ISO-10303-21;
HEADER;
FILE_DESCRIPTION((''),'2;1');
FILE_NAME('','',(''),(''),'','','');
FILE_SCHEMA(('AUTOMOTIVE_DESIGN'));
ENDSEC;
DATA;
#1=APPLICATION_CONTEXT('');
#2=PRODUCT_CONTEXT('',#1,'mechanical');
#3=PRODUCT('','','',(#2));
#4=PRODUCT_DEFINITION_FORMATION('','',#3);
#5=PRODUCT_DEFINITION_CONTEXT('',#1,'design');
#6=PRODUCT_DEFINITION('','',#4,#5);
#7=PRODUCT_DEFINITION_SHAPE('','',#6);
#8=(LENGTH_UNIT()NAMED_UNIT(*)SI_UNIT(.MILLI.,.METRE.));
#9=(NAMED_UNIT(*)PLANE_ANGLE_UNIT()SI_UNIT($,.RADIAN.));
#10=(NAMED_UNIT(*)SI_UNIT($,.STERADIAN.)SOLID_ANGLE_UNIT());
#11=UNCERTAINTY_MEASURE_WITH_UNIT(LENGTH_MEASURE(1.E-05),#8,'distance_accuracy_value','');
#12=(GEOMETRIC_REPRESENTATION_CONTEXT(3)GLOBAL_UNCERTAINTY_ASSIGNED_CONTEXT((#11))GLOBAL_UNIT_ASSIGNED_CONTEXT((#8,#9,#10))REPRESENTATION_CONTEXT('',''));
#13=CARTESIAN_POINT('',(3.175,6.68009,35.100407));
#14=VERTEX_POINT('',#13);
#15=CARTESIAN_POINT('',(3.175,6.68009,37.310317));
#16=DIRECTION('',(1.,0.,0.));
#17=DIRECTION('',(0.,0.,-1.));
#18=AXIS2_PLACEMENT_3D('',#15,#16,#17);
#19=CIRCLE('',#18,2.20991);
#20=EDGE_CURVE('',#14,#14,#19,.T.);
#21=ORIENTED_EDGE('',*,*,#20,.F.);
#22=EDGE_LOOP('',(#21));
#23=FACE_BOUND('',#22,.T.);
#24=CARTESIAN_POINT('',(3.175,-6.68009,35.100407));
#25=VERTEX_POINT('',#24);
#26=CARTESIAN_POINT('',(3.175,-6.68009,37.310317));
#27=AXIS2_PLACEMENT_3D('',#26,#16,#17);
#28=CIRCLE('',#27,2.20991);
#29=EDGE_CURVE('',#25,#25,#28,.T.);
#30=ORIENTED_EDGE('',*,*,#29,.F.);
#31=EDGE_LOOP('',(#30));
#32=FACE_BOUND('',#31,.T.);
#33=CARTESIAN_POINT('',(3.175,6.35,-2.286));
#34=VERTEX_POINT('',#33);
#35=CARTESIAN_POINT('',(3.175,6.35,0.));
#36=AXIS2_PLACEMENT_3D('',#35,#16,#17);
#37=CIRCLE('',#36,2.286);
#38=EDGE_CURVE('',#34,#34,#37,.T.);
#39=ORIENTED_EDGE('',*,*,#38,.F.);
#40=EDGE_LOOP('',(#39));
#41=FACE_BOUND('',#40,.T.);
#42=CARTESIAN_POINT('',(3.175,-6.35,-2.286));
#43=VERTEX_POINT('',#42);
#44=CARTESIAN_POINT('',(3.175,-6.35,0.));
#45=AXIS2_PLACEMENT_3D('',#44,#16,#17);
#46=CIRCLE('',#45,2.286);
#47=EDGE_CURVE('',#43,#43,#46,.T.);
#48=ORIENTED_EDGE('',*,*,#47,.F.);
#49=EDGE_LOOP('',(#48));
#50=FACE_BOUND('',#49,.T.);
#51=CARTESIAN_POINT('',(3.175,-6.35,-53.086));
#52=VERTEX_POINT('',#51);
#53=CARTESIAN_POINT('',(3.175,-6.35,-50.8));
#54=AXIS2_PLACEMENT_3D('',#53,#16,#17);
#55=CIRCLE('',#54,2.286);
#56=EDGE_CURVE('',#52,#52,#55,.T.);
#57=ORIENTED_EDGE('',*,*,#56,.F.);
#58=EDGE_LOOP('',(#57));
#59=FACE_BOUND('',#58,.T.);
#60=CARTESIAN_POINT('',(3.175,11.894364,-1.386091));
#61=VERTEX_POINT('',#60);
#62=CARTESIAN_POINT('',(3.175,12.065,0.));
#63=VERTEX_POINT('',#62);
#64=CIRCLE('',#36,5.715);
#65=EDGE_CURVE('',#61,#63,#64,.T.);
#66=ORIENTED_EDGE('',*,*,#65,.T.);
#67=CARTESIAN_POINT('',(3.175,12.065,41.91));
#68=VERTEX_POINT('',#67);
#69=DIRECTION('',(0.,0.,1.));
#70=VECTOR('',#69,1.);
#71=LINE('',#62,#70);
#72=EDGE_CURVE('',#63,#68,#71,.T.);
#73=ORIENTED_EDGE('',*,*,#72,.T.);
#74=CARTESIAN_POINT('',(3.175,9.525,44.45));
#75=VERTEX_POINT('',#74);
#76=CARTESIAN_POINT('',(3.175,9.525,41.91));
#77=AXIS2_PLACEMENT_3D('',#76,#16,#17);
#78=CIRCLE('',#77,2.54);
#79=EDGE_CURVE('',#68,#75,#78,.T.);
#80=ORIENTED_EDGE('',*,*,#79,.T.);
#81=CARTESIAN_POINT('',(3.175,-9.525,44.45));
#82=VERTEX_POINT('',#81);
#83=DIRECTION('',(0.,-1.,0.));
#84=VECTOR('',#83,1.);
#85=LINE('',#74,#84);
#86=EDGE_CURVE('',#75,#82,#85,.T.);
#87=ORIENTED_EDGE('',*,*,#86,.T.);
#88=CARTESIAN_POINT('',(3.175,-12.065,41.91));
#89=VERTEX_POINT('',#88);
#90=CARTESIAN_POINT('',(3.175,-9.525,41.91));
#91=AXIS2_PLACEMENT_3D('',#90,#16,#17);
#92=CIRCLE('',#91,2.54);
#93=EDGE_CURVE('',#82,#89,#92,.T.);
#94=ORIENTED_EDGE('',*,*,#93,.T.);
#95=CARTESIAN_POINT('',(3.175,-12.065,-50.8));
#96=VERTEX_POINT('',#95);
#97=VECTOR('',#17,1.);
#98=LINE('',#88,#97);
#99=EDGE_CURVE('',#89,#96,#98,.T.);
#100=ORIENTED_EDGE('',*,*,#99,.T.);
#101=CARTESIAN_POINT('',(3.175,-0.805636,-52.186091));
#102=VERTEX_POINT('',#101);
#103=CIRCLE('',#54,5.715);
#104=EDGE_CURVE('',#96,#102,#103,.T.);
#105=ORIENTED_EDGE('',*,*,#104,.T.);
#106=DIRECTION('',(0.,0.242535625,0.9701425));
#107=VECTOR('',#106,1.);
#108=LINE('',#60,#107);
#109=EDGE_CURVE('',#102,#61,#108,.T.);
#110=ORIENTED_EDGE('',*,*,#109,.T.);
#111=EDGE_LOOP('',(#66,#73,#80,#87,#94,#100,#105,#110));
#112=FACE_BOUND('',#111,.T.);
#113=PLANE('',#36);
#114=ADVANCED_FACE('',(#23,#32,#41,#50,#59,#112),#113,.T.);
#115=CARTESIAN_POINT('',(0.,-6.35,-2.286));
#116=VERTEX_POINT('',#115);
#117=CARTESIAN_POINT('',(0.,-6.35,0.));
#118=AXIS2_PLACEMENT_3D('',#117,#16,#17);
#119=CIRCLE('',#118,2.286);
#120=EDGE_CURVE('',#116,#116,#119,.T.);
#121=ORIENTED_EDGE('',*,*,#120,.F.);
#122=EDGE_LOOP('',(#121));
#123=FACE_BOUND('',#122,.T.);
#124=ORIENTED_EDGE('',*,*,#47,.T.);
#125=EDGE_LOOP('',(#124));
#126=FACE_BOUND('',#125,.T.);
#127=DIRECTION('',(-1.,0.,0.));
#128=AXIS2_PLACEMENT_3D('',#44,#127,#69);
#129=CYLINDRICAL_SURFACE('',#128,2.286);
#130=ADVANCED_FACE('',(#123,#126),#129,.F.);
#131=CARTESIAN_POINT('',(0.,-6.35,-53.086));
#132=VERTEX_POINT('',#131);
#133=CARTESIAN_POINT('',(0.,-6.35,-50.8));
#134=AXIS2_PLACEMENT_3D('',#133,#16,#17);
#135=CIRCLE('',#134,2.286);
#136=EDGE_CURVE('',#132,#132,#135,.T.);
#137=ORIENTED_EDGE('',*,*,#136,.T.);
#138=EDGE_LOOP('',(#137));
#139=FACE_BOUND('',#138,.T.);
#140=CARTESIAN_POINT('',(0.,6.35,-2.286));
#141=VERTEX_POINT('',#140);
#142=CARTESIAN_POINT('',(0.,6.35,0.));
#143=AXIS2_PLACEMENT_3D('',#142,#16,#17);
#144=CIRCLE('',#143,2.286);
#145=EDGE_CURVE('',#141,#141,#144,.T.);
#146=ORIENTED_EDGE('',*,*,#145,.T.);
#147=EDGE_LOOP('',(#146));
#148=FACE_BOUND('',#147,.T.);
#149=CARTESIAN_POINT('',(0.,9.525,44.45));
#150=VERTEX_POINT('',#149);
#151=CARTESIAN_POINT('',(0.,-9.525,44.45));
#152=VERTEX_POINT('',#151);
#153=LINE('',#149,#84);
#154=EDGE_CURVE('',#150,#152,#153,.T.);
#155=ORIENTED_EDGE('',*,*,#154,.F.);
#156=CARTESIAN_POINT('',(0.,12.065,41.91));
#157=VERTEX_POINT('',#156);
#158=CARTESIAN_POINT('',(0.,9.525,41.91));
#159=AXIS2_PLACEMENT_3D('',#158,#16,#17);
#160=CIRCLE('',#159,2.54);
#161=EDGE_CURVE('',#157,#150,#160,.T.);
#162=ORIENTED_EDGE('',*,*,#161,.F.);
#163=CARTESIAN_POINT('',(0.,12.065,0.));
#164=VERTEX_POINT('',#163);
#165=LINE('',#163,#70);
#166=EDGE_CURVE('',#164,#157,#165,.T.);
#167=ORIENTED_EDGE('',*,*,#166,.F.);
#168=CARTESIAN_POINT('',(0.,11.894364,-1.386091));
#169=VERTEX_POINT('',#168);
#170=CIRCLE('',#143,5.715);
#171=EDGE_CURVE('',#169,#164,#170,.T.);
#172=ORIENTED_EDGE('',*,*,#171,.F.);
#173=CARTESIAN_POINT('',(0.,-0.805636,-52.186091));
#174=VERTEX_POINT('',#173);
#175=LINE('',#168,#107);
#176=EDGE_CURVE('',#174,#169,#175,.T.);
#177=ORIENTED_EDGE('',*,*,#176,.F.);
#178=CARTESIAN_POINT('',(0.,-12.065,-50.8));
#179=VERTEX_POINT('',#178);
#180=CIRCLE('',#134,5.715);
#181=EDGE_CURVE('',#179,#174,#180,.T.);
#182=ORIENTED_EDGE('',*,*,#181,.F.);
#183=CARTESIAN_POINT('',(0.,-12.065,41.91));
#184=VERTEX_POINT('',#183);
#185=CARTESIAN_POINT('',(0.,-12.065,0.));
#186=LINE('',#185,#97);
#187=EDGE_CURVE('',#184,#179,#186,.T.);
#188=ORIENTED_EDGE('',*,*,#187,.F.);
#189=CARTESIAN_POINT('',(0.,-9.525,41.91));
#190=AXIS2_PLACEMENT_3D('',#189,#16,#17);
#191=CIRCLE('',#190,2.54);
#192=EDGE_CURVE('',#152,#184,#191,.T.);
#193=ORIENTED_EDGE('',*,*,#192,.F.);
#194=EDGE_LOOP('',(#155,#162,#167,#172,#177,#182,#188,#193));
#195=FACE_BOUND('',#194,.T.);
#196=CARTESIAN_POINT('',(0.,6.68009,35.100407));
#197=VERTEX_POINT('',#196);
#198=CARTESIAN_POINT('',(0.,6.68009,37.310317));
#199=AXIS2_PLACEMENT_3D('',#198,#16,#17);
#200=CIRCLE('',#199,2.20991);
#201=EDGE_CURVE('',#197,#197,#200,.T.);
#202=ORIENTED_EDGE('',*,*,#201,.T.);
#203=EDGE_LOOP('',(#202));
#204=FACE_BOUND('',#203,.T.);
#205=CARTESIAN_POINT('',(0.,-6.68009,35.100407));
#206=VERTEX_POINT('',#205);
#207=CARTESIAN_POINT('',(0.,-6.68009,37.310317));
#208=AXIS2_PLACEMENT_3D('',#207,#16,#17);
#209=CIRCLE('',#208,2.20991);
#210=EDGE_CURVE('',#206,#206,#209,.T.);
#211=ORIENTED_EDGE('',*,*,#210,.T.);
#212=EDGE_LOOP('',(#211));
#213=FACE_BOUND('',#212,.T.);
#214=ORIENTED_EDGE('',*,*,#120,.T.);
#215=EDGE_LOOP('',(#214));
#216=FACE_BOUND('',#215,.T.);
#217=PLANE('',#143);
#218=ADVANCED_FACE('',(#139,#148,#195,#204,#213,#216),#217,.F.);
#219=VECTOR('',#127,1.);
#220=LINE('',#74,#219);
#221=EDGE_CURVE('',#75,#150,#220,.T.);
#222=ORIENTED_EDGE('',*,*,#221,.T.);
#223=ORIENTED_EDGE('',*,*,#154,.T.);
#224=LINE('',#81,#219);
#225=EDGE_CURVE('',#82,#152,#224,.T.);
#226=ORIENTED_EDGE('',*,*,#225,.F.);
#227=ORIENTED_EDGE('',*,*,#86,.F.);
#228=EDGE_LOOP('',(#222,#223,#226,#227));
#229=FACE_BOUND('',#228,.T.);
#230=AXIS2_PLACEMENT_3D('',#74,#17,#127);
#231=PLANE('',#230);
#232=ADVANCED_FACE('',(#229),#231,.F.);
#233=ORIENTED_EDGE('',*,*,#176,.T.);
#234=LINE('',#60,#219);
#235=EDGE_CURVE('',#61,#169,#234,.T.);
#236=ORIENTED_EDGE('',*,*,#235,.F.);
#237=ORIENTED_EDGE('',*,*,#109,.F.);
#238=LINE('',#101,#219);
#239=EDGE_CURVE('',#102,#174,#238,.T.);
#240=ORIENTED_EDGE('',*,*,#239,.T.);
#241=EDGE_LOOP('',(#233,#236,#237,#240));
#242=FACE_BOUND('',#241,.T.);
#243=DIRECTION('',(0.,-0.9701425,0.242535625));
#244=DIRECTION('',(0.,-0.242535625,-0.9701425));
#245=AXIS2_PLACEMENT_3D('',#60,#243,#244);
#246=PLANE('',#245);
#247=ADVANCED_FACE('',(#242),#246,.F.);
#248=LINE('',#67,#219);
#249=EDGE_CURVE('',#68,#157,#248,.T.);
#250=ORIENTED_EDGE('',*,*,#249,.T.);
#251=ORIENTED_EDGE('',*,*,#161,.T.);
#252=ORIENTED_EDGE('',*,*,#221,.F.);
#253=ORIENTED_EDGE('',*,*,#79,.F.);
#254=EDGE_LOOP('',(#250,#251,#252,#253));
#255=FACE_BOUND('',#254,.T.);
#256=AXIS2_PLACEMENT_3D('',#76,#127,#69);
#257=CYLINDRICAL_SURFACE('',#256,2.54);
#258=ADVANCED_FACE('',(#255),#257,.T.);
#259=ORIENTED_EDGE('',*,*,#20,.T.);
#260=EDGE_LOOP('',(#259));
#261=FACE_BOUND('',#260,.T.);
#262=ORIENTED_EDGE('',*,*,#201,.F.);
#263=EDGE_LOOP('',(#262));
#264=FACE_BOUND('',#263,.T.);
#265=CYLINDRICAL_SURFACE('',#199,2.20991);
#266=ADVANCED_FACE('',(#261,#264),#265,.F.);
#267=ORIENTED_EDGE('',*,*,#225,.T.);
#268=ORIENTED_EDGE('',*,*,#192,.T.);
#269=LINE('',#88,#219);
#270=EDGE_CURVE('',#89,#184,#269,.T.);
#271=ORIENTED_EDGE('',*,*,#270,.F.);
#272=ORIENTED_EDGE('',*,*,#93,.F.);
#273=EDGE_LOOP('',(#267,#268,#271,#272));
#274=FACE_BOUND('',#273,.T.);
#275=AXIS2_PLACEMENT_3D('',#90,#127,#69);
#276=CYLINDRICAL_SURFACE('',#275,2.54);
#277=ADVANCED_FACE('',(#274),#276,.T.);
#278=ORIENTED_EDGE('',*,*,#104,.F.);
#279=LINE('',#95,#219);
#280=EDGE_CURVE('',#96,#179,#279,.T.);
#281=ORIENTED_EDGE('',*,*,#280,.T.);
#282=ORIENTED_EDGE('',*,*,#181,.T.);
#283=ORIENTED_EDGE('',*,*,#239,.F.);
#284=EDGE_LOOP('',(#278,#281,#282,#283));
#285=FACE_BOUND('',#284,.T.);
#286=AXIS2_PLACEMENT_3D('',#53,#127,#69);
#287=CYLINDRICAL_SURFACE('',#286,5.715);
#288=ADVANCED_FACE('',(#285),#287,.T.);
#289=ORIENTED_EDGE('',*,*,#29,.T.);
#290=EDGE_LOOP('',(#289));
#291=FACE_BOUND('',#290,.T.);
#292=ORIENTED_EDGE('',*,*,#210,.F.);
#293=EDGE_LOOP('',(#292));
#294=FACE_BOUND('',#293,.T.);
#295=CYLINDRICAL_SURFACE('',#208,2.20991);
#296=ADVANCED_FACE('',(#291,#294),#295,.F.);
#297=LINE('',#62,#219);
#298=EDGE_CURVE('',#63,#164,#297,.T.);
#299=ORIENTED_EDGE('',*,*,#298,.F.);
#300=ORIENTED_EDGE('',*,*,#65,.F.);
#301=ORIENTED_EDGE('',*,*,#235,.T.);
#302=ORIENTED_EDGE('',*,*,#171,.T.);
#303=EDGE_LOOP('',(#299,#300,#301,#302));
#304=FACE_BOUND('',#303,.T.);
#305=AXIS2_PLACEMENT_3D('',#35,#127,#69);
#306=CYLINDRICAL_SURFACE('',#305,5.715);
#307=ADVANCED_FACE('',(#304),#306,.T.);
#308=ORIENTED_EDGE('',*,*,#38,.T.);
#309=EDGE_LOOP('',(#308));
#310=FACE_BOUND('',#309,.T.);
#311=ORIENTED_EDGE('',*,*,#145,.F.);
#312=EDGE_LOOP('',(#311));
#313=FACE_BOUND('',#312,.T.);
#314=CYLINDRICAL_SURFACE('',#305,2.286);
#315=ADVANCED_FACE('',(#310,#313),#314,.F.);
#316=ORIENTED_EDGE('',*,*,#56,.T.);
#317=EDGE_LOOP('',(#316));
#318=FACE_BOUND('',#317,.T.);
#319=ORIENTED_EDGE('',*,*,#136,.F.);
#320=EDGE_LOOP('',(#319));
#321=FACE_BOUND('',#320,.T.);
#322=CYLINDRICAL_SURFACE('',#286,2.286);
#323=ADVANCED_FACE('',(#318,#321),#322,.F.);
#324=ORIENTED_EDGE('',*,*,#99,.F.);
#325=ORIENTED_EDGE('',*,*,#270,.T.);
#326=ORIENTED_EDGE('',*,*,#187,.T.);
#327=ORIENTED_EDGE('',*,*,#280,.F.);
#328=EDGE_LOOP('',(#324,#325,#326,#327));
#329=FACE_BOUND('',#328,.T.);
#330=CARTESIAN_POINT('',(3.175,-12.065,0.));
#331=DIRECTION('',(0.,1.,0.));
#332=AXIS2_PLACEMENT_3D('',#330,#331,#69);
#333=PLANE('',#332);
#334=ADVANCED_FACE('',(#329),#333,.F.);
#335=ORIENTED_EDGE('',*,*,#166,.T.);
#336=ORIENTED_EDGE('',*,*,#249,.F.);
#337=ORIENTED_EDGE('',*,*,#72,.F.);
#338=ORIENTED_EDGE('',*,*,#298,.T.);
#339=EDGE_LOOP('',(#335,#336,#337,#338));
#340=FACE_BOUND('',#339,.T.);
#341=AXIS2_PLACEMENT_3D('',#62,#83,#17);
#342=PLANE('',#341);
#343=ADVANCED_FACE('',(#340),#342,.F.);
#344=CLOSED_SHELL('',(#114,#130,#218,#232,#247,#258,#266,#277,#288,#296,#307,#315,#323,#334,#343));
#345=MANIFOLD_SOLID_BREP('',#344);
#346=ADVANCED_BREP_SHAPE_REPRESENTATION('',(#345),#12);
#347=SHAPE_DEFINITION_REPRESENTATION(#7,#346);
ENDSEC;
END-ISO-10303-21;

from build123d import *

# Parameters (mm, degrees)
SKETCH1_R           = 2.286
BOSS_EXTRUDE1_DEPTH = 3.175
SKETCH2_R           = 2.20991013
CUT_EXTRUDE1_DEPTH  = 58.875643193


with BuildPart() as part:
    # Sketch1 → Boss-Extrude1 (new body)
    with BuildSketch(Plane(origin=(0, 0, 0), x_dir=(0, 0, -1), z_dir=(1, 0, 0))):
        with BuildLine():
            Line((1.386091097, 11.894364388), (52.186091097, -0.805635612))
            ThreePointArc((52.186091097, -0.805635612), (56.472180686, -7.048277352), (50.8, -12.065))
            Line((50.8, -12.065), (0, -12.065))
            Line((0, -12.065), (-41.91, -12.065))
            ThreePointArc((-41.91, -12.065), (-43.706051224, -11.321051224), (-44.45, -9.525))
            Line((-44.45, -9.525), (-44.45, 9.525))
            ThreePointArc((-44.45, 9.525), (-43.706051224, 11.321051224), (-41.91, 12.065))
            Line((-41.91, 12.065), (0, 12.065))
            ThreePointArc((0, 12.065), (0.698277352, 12.022180686), (1.386091097, 11.894364388))
        make_face()
        with Locations((0, 6.35)):
            Circle(SKETCH1_R, mode=Mode.SUBTRACT)
        with Locations((0, -6.35)):
            Circle(SKETCH1_R, mode=Mode.SUBTRACT)
        with Locations((50.8, -6.35)):
            Circle(SKETCH1_R, mode=Mode.SUBTRACT)
    extrude(amount=BOSS_EXTRUDE1_DEPTH)

    # Sketch2 → Cut-Extrude1 (cut, through all)
    with BuildSketch(Plane(origin=(3.175, 0, 0), x_dir=(0, 0, -1), z_dir=(1, 0, 0))):
        with Locations((-37.310316922, 6.68008987)):
            Circle(SKETCH2_R)
        with Locations((-37.310316922, -6.68008987)):
            Circle(SKETCH2_R)
    extrude(amount=-CUT_EXTRUDE1_DEPTH, mode=Mode.SUBTRACT)


solid = part.part
